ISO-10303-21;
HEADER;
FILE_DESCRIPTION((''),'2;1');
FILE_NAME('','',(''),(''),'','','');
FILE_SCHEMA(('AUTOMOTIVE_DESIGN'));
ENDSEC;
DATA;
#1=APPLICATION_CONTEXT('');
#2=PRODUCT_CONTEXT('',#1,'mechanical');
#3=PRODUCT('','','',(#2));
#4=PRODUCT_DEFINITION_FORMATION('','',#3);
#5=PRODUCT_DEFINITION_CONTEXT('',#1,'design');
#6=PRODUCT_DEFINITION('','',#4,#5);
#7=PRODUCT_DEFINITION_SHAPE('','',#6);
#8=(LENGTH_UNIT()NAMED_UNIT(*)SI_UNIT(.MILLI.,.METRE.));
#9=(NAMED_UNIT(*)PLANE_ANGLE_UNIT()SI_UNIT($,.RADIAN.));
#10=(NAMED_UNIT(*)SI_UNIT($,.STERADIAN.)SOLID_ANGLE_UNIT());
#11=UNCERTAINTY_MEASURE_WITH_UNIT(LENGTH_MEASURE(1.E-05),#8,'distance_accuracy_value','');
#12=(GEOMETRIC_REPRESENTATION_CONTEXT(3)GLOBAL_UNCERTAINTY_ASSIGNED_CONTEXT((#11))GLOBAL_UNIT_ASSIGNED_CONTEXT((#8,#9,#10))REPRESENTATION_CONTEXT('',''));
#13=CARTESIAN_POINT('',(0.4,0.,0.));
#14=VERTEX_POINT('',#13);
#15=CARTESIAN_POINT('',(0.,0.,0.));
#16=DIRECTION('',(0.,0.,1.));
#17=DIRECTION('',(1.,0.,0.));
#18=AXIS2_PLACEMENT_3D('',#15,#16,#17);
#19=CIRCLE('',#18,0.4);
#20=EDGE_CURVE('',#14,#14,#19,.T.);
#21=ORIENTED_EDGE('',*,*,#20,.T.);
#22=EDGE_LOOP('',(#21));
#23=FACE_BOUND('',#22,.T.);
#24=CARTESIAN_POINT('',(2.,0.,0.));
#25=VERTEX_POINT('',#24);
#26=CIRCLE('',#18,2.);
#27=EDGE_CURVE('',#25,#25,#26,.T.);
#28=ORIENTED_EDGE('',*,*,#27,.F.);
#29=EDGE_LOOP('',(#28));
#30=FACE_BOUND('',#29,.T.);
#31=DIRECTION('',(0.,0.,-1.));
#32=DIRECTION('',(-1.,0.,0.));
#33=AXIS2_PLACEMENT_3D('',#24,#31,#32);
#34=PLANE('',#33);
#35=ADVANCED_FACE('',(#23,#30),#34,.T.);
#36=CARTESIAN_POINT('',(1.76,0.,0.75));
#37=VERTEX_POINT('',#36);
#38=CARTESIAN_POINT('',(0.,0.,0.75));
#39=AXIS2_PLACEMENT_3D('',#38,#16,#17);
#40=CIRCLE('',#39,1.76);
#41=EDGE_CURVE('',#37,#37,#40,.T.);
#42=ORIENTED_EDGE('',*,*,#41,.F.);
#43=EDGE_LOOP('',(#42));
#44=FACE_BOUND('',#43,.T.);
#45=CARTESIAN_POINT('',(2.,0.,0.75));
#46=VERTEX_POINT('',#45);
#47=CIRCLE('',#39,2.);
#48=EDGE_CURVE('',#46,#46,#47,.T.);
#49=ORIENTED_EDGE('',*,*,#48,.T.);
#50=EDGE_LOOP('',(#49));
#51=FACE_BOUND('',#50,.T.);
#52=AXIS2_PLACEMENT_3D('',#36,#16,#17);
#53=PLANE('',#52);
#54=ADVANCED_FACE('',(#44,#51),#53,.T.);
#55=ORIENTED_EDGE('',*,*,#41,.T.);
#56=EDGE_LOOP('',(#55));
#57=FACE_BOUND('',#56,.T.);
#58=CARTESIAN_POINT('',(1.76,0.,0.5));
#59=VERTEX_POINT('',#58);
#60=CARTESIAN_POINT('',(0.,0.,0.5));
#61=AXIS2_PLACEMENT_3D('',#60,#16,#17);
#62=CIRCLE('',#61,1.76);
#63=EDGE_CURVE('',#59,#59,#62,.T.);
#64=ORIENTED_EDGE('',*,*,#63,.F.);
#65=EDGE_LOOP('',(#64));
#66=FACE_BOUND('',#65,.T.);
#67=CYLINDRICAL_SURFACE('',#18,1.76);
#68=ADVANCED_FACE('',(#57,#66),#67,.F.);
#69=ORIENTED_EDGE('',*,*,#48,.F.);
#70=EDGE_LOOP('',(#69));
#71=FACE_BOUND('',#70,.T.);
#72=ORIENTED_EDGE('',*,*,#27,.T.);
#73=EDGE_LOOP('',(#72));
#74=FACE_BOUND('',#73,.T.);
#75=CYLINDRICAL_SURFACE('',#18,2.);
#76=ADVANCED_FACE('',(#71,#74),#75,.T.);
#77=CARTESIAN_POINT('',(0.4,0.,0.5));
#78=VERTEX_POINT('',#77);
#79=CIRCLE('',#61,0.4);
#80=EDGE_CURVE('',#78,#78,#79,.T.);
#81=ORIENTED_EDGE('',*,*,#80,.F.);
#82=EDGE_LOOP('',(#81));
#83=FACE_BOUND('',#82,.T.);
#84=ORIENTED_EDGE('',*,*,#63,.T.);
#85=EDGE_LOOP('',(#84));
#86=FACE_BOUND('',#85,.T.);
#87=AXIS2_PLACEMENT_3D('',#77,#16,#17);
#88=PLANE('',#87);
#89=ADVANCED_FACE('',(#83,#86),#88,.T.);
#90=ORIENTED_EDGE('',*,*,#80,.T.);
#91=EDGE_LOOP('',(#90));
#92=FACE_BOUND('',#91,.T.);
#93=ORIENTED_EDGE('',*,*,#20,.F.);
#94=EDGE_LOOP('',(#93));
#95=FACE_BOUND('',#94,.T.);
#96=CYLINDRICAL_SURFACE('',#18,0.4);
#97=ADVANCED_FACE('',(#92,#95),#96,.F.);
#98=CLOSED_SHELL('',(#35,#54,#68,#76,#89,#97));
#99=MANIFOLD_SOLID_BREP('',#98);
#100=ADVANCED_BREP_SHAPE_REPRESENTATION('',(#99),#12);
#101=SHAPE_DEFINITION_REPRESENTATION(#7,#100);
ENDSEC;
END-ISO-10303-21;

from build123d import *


with BuildPart() as part:
    # Sketch1 → Revolve1 (revolve)
    with BuildSketch(Plane(origin=(0, 0, 0), x_dir=(1, 0, 0), z_dir=(0, 1, 0))):
        Polygon((2, -0.75), (2, 0), (0.4, 0), (0.4, -0.5), (1.76, -0.5), (1.76, -0.75), align=None)
    revolve(axis=Axis((0, 0, 0), (0, 0, 1)))


solid = part.part
